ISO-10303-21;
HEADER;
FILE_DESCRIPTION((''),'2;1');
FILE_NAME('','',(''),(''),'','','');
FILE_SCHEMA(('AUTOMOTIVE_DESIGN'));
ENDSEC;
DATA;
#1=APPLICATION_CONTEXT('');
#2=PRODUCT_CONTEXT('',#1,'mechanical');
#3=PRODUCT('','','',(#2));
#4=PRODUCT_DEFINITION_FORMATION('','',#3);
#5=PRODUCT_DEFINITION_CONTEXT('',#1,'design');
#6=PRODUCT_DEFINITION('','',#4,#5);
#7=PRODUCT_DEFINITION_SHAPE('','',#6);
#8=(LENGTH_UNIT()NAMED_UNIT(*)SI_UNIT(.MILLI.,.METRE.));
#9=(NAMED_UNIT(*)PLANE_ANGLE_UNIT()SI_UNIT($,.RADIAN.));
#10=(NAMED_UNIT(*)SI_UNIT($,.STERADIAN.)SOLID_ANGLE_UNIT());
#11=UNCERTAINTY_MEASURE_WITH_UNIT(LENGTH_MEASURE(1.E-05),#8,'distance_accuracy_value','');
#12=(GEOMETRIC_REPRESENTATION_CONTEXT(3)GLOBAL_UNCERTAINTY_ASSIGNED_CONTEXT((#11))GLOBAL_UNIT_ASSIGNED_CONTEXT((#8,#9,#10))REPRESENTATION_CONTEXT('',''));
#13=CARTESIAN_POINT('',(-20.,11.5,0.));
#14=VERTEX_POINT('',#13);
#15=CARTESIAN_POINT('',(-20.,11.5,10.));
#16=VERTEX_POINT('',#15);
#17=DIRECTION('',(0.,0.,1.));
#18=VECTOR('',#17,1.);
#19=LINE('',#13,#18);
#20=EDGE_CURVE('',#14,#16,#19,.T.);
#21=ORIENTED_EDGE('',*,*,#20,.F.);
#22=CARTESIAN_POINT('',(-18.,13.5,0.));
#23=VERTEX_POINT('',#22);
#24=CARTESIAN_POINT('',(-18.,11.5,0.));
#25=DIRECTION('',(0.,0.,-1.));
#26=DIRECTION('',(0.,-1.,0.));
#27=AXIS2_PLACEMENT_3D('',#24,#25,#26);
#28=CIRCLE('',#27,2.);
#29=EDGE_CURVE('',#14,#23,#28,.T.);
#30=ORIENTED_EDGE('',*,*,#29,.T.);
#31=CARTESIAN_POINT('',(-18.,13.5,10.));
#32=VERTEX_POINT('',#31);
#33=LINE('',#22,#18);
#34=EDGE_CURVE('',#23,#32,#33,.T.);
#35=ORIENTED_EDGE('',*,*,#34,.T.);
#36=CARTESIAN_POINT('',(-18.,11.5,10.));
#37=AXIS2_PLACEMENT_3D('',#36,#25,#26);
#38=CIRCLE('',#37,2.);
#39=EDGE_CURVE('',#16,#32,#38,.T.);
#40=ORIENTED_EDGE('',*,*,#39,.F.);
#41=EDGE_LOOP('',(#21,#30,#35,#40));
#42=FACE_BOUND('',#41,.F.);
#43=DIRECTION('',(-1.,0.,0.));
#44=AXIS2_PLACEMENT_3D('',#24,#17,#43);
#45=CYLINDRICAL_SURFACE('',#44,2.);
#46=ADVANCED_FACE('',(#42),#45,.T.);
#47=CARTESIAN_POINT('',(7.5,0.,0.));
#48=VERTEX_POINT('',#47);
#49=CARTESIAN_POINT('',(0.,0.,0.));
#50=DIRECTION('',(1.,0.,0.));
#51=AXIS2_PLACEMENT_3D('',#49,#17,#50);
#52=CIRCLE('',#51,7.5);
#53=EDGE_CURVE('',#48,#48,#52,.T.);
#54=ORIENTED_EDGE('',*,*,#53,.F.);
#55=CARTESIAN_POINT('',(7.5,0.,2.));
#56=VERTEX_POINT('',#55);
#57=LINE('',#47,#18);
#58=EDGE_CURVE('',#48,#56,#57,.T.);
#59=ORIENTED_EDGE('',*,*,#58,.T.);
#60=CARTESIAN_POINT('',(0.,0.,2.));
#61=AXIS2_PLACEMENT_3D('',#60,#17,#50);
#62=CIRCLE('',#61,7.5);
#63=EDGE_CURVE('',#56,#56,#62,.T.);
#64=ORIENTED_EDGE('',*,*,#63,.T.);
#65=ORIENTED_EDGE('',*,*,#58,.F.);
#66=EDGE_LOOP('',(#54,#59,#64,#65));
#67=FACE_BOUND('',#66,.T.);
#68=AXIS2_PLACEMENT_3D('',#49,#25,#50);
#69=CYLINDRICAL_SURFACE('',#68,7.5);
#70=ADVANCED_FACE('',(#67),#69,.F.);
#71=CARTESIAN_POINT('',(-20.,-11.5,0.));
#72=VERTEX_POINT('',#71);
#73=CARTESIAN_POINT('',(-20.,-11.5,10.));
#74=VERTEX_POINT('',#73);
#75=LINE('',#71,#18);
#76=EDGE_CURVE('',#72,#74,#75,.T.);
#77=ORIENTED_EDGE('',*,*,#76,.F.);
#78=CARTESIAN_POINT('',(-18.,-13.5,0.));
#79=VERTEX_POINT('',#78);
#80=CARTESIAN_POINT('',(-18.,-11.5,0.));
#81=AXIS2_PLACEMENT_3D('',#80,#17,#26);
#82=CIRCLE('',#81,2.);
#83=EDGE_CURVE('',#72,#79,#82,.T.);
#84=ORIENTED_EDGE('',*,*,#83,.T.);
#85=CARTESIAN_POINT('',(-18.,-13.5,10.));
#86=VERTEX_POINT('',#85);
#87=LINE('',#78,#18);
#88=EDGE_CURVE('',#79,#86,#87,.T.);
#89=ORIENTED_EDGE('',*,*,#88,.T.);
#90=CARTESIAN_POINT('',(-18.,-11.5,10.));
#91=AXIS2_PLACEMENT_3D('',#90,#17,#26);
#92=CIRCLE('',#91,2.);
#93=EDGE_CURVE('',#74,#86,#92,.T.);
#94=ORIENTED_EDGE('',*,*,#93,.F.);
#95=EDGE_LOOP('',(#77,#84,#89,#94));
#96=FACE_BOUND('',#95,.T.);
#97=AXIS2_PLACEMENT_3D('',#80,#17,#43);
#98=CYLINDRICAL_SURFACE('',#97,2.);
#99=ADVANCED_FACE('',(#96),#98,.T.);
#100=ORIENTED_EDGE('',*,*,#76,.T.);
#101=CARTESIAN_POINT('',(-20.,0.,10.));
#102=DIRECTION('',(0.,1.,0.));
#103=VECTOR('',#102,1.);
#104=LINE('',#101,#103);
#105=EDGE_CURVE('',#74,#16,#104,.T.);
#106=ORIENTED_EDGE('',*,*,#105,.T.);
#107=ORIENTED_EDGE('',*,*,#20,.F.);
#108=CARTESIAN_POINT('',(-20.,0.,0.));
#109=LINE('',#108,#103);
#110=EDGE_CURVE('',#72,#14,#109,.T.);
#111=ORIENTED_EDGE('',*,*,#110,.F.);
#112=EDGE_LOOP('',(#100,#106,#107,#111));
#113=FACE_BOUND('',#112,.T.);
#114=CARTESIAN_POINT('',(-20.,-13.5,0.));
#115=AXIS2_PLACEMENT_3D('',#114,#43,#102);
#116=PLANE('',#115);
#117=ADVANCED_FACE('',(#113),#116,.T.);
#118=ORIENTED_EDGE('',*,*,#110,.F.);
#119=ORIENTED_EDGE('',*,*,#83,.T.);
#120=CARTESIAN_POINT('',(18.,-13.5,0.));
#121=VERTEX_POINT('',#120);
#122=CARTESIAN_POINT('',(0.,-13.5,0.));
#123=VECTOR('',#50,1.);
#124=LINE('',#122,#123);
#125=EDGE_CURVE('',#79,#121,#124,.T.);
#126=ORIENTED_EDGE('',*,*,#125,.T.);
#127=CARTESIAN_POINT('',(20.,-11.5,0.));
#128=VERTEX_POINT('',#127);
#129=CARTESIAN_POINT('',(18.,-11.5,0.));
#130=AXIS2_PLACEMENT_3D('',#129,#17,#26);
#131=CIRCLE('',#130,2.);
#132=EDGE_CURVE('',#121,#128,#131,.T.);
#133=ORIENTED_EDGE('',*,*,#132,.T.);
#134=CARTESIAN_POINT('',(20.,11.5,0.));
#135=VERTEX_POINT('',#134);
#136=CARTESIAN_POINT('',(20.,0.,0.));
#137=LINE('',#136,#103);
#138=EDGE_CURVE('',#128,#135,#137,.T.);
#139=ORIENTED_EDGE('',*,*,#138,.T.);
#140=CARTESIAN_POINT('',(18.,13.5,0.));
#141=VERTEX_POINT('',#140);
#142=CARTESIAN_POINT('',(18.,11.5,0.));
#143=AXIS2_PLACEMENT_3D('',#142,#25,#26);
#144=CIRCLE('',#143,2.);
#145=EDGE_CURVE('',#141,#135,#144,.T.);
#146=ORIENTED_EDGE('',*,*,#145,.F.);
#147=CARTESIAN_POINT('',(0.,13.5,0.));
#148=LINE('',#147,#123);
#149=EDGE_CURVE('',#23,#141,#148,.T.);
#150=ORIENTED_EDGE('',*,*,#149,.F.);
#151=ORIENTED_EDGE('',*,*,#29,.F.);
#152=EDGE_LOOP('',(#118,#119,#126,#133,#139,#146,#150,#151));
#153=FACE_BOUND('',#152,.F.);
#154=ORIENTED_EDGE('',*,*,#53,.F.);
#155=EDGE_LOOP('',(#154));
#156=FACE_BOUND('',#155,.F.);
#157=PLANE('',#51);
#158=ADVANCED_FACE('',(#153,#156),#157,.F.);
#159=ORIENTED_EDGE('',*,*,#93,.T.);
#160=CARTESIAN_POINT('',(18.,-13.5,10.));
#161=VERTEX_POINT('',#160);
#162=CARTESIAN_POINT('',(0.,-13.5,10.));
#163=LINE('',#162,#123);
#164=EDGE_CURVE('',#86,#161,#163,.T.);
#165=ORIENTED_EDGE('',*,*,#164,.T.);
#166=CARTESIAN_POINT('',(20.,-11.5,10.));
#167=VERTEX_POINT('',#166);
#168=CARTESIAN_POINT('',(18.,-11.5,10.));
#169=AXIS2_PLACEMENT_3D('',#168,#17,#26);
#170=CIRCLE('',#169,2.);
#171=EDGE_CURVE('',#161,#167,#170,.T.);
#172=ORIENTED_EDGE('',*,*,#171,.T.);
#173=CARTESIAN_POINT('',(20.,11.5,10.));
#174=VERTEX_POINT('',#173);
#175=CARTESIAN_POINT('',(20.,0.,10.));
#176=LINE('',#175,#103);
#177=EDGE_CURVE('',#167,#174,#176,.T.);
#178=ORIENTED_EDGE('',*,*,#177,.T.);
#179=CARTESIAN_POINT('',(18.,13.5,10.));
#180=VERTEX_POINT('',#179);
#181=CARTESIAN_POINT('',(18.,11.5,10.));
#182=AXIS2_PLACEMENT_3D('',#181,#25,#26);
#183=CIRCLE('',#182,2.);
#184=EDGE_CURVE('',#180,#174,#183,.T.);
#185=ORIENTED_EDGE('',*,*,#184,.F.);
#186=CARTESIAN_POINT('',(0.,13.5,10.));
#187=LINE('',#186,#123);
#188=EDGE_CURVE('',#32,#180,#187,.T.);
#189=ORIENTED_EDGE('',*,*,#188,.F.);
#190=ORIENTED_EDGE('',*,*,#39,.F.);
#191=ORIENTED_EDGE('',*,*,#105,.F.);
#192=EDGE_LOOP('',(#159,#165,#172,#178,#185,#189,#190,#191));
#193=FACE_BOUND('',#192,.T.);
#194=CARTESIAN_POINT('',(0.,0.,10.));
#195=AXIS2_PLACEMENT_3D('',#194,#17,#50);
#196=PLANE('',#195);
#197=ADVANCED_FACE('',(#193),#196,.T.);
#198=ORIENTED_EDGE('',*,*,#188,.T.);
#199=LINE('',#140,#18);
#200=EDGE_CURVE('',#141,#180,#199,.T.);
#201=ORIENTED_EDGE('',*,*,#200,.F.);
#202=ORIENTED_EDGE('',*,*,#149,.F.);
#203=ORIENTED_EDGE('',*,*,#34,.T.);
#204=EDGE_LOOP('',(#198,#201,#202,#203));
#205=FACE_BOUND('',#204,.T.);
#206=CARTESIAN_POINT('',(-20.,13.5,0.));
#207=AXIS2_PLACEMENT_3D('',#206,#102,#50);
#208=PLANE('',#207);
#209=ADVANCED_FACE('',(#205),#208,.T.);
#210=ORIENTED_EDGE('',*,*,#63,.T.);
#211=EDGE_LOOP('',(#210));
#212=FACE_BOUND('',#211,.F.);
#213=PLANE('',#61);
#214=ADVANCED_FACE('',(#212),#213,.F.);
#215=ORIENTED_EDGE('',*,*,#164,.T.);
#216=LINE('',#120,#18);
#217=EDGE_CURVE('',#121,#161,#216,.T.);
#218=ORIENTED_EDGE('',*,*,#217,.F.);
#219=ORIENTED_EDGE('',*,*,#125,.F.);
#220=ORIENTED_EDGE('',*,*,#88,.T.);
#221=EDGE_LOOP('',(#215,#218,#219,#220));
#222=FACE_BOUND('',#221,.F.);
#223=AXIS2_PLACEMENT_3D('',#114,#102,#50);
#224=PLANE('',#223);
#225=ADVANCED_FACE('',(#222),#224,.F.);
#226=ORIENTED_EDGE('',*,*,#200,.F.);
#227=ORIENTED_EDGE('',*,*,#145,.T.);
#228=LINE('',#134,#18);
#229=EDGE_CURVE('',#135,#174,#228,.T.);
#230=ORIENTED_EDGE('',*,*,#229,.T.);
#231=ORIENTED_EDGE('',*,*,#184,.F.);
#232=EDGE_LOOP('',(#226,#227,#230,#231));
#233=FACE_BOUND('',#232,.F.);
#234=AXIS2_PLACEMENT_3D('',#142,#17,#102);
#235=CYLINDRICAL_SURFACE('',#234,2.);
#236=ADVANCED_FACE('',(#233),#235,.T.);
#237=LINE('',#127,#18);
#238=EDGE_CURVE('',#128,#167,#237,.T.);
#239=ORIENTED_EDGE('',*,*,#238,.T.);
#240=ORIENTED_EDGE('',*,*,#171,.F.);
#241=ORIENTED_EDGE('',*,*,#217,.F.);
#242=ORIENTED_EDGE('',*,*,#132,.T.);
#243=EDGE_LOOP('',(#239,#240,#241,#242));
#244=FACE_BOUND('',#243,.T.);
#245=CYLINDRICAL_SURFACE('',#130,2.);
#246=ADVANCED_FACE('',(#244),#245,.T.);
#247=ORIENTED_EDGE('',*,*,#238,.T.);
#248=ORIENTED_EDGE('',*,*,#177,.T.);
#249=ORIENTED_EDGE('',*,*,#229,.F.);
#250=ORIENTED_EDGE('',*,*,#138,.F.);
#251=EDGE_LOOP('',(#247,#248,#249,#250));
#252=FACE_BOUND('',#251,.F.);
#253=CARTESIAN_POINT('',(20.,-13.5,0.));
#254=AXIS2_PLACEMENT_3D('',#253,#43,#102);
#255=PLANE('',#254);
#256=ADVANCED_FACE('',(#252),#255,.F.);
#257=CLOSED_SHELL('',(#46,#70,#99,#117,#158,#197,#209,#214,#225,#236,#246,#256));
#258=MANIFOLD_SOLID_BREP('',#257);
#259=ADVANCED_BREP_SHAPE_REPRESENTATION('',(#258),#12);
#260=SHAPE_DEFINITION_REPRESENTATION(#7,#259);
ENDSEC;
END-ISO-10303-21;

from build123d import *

# Parameters (mm, degrees)
F0_W     = 40
F0_H     = 27
F0_R     = 7.5
F1_DEPTH = 10
F2_DEPTH = 2
F3_R     = 2


with BuildPart() as f1:
    # F0 (on Top) → F1 (new body)
    with BuildSketch(Plane.XY):
        Rectangle(F0_W, F0_H)
        Circle(F0_R, mode=Mode.SUBTRACT)
        Circle(F0_R)
    extrude(amount=F1_DEPTH)

    # F0 (on Top) → F2 (cut)
    with BuildSketch(Plane.XY):
        Circle(F0_R)
    extrude(amount=F2_DEPTH, mode=Mode.SUBTRACT)

    # F3
    f3_edges = [f1.edges().sort_by_distance(p)[0] for p in [
        (20, -13.5, 5),
        (20, 13.5, 5),
        (-20, 13.5, 5),
        (-20, -13.5, 5),
    ]]
    fillet(f3_edges, radius=F3_R)


solid = f1.part
